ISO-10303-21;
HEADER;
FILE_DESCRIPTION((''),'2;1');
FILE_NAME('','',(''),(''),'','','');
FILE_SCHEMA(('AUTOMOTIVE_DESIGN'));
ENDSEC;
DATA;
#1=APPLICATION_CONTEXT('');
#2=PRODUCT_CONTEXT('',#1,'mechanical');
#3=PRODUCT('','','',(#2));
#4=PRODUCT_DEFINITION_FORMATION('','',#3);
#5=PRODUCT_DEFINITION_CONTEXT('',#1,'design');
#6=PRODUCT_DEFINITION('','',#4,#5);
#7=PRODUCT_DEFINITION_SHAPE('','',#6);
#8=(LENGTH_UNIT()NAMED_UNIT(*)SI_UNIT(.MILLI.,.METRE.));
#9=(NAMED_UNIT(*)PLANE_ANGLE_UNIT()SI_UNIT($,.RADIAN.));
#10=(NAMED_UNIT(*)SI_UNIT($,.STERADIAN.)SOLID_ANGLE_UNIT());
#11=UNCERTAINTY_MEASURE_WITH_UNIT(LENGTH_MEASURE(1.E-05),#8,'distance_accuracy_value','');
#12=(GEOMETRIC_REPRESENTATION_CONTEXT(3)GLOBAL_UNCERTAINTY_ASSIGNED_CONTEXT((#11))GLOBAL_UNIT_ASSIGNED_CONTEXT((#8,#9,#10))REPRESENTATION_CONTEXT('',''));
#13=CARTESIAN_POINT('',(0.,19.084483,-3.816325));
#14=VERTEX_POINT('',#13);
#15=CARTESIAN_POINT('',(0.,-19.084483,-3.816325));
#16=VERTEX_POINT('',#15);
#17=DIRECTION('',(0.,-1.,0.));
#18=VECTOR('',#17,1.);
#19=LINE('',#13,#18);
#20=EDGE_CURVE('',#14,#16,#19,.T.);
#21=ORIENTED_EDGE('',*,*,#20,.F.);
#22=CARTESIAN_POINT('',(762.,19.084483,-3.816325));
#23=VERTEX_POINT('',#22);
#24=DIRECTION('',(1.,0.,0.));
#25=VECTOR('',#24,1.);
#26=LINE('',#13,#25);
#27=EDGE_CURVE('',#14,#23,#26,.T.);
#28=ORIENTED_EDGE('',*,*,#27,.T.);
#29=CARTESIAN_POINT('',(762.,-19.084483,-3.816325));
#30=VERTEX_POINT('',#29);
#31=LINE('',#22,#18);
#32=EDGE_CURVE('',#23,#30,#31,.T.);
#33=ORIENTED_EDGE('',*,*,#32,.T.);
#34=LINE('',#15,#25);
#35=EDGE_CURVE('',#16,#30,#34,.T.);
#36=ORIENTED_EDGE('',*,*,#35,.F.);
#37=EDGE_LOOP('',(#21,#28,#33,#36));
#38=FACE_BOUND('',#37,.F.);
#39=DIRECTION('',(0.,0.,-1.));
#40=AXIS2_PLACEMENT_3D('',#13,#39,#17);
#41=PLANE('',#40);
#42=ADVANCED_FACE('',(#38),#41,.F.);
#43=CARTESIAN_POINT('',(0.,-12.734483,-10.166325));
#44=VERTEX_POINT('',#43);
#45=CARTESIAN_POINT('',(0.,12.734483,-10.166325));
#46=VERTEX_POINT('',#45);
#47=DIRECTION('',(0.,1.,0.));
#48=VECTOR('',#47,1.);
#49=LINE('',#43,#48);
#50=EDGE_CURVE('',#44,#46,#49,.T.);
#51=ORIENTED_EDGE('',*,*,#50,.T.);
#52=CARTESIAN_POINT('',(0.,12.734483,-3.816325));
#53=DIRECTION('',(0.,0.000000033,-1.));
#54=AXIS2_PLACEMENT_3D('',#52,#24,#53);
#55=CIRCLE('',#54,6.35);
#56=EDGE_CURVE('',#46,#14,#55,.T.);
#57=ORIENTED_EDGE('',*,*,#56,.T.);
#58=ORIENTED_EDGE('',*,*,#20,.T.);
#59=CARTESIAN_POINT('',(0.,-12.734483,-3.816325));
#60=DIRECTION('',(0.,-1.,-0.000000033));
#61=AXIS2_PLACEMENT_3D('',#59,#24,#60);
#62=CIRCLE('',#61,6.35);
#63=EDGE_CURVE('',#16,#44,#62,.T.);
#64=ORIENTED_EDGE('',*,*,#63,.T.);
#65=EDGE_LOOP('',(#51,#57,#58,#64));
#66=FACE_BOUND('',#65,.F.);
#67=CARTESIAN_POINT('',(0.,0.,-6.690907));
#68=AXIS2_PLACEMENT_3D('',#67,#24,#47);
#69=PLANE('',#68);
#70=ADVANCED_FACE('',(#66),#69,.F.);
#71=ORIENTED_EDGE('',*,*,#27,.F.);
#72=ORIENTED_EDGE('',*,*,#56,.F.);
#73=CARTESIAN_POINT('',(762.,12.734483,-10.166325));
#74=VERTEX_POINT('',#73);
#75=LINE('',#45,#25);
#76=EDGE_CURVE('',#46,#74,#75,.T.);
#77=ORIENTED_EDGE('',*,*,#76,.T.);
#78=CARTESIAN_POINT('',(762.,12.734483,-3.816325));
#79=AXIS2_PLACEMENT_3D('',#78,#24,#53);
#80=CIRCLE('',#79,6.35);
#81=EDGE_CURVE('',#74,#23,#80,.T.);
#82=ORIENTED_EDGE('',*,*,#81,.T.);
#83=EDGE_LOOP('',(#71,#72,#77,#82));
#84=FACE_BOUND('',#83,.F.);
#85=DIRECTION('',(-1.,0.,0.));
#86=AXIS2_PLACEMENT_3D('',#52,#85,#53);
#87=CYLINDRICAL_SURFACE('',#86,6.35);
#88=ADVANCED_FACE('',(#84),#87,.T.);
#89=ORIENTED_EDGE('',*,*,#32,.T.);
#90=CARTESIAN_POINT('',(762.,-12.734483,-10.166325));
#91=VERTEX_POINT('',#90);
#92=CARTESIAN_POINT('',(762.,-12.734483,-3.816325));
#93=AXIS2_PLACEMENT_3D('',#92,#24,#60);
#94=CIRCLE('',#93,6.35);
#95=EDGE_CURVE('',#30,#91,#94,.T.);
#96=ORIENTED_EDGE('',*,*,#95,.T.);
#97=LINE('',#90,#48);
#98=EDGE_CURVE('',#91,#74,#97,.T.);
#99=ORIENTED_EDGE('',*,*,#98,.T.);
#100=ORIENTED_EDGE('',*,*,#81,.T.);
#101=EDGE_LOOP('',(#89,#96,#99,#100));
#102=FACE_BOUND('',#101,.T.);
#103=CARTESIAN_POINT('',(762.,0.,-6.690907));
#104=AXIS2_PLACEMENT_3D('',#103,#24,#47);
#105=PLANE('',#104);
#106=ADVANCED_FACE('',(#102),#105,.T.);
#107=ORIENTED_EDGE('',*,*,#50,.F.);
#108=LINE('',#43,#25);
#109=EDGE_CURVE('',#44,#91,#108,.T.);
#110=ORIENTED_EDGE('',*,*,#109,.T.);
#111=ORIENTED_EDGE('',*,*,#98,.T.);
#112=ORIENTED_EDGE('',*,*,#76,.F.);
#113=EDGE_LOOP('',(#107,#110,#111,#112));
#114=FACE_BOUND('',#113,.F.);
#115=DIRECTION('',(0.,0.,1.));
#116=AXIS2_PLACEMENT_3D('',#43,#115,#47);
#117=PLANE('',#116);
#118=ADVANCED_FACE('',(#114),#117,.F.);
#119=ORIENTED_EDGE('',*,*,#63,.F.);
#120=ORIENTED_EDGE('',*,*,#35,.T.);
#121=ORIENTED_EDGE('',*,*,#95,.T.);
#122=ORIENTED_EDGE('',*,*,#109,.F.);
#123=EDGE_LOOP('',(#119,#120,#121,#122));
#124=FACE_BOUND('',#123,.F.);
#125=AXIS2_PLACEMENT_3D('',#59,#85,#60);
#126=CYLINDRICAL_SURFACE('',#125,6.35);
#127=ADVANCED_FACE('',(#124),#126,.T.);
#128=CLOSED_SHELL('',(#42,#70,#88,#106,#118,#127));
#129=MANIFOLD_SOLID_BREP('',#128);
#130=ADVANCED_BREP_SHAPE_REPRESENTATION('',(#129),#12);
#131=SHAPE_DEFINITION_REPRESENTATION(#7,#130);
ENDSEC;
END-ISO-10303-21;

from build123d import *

# Parameters (mm, degrees)
F1_DEPTH = 762


with BuildPart() as f1:
    # F0 (on Right) → F1 (new body)
    with BuildSketch(Plane.YZ):
        with BuildLine():
            Line((-8.499123, -3.816325), (-19.084483, -3.816325))
            ThreePointArc((-19.084483, -3.816325), (-17.224611, -8.306453), (-12.734483, -10.166325))
            Line((-12.734483, -10.166325), (12.734483, -10.166325))
            ThreePointArc((12.734483, -10.166325), (17.224611, -8.306453), (19.084483, -3.816325))
            Line((19.084483, -3.816325), (8.499123, -3.816325))
            Line((8.499123, -3.816325), (0, -3.816325))
            Line((0, -3.816325), (-8.499123, -3.816325))
        make_face()
    extrude(amount=F1_DEPTH)


solid = f1.part
